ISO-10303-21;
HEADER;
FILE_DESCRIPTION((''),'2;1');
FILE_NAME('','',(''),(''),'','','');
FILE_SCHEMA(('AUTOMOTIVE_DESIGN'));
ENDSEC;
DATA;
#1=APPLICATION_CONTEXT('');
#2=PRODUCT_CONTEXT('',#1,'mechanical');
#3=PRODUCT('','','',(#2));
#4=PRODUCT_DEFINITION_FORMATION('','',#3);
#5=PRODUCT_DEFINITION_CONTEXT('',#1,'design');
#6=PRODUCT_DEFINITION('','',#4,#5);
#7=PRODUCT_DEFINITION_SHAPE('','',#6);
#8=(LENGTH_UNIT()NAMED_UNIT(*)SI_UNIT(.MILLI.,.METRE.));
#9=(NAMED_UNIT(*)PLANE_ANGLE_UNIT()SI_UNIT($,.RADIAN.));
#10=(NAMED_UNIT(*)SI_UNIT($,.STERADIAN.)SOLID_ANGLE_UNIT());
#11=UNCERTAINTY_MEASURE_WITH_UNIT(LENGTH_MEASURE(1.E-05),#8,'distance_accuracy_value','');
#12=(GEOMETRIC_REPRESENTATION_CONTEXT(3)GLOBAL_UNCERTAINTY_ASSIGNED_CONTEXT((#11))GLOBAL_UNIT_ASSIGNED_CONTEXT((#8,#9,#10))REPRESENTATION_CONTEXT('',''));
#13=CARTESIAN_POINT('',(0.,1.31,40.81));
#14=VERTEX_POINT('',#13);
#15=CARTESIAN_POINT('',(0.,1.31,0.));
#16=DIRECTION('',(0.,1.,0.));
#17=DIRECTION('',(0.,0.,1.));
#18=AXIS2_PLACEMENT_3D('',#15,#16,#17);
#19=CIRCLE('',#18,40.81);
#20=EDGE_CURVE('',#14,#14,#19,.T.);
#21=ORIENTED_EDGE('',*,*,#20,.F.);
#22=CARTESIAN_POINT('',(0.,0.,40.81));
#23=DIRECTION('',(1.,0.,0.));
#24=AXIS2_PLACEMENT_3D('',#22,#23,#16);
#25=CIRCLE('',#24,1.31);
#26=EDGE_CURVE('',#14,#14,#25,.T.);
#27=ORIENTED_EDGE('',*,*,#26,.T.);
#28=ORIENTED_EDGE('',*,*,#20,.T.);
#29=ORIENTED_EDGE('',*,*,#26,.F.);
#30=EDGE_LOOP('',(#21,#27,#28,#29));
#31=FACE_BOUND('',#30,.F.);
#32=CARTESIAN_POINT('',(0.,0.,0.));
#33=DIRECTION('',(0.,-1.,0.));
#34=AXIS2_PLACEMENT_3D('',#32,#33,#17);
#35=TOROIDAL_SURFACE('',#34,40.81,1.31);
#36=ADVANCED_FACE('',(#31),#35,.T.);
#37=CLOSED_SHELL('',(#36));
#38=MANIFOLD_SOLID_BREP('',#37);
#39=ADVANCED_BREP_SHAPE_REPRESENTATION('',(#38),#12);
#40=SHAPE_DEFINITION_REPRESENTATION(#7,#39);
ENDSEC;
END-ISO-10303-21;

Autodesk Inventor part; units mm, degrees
ref_plane "YZ Plane" through (0, 0, 0) normal (1, 0, 0) x (0, 1, 0)
ref_plane "XZ Plane" through (0, 0, 0) normal (0, 1, 0) x (-1, 0, 0)
ref_plane "XY Plane" through (0, 0, 0) normal (0, 0, 1) x (1, 0, 0)
sketch "Sketch1" plane through (0, 0, 0) normal (1, 0, 0) x (0, 1, 0)
  circle A0 centre (0, 40.81) radius 1.31
  line L0 (0, 0) -> (2.0443, 0)
  dimension "d0" = 2.62
  dimension "d1" = 40.81
revolve "Revolution1" add sketch "Sketch1" angle 360 about axis through (0, 0, 0) along (0, 1, 0)
properties part number "Oring 2-151 Deform" material "Rubber"
